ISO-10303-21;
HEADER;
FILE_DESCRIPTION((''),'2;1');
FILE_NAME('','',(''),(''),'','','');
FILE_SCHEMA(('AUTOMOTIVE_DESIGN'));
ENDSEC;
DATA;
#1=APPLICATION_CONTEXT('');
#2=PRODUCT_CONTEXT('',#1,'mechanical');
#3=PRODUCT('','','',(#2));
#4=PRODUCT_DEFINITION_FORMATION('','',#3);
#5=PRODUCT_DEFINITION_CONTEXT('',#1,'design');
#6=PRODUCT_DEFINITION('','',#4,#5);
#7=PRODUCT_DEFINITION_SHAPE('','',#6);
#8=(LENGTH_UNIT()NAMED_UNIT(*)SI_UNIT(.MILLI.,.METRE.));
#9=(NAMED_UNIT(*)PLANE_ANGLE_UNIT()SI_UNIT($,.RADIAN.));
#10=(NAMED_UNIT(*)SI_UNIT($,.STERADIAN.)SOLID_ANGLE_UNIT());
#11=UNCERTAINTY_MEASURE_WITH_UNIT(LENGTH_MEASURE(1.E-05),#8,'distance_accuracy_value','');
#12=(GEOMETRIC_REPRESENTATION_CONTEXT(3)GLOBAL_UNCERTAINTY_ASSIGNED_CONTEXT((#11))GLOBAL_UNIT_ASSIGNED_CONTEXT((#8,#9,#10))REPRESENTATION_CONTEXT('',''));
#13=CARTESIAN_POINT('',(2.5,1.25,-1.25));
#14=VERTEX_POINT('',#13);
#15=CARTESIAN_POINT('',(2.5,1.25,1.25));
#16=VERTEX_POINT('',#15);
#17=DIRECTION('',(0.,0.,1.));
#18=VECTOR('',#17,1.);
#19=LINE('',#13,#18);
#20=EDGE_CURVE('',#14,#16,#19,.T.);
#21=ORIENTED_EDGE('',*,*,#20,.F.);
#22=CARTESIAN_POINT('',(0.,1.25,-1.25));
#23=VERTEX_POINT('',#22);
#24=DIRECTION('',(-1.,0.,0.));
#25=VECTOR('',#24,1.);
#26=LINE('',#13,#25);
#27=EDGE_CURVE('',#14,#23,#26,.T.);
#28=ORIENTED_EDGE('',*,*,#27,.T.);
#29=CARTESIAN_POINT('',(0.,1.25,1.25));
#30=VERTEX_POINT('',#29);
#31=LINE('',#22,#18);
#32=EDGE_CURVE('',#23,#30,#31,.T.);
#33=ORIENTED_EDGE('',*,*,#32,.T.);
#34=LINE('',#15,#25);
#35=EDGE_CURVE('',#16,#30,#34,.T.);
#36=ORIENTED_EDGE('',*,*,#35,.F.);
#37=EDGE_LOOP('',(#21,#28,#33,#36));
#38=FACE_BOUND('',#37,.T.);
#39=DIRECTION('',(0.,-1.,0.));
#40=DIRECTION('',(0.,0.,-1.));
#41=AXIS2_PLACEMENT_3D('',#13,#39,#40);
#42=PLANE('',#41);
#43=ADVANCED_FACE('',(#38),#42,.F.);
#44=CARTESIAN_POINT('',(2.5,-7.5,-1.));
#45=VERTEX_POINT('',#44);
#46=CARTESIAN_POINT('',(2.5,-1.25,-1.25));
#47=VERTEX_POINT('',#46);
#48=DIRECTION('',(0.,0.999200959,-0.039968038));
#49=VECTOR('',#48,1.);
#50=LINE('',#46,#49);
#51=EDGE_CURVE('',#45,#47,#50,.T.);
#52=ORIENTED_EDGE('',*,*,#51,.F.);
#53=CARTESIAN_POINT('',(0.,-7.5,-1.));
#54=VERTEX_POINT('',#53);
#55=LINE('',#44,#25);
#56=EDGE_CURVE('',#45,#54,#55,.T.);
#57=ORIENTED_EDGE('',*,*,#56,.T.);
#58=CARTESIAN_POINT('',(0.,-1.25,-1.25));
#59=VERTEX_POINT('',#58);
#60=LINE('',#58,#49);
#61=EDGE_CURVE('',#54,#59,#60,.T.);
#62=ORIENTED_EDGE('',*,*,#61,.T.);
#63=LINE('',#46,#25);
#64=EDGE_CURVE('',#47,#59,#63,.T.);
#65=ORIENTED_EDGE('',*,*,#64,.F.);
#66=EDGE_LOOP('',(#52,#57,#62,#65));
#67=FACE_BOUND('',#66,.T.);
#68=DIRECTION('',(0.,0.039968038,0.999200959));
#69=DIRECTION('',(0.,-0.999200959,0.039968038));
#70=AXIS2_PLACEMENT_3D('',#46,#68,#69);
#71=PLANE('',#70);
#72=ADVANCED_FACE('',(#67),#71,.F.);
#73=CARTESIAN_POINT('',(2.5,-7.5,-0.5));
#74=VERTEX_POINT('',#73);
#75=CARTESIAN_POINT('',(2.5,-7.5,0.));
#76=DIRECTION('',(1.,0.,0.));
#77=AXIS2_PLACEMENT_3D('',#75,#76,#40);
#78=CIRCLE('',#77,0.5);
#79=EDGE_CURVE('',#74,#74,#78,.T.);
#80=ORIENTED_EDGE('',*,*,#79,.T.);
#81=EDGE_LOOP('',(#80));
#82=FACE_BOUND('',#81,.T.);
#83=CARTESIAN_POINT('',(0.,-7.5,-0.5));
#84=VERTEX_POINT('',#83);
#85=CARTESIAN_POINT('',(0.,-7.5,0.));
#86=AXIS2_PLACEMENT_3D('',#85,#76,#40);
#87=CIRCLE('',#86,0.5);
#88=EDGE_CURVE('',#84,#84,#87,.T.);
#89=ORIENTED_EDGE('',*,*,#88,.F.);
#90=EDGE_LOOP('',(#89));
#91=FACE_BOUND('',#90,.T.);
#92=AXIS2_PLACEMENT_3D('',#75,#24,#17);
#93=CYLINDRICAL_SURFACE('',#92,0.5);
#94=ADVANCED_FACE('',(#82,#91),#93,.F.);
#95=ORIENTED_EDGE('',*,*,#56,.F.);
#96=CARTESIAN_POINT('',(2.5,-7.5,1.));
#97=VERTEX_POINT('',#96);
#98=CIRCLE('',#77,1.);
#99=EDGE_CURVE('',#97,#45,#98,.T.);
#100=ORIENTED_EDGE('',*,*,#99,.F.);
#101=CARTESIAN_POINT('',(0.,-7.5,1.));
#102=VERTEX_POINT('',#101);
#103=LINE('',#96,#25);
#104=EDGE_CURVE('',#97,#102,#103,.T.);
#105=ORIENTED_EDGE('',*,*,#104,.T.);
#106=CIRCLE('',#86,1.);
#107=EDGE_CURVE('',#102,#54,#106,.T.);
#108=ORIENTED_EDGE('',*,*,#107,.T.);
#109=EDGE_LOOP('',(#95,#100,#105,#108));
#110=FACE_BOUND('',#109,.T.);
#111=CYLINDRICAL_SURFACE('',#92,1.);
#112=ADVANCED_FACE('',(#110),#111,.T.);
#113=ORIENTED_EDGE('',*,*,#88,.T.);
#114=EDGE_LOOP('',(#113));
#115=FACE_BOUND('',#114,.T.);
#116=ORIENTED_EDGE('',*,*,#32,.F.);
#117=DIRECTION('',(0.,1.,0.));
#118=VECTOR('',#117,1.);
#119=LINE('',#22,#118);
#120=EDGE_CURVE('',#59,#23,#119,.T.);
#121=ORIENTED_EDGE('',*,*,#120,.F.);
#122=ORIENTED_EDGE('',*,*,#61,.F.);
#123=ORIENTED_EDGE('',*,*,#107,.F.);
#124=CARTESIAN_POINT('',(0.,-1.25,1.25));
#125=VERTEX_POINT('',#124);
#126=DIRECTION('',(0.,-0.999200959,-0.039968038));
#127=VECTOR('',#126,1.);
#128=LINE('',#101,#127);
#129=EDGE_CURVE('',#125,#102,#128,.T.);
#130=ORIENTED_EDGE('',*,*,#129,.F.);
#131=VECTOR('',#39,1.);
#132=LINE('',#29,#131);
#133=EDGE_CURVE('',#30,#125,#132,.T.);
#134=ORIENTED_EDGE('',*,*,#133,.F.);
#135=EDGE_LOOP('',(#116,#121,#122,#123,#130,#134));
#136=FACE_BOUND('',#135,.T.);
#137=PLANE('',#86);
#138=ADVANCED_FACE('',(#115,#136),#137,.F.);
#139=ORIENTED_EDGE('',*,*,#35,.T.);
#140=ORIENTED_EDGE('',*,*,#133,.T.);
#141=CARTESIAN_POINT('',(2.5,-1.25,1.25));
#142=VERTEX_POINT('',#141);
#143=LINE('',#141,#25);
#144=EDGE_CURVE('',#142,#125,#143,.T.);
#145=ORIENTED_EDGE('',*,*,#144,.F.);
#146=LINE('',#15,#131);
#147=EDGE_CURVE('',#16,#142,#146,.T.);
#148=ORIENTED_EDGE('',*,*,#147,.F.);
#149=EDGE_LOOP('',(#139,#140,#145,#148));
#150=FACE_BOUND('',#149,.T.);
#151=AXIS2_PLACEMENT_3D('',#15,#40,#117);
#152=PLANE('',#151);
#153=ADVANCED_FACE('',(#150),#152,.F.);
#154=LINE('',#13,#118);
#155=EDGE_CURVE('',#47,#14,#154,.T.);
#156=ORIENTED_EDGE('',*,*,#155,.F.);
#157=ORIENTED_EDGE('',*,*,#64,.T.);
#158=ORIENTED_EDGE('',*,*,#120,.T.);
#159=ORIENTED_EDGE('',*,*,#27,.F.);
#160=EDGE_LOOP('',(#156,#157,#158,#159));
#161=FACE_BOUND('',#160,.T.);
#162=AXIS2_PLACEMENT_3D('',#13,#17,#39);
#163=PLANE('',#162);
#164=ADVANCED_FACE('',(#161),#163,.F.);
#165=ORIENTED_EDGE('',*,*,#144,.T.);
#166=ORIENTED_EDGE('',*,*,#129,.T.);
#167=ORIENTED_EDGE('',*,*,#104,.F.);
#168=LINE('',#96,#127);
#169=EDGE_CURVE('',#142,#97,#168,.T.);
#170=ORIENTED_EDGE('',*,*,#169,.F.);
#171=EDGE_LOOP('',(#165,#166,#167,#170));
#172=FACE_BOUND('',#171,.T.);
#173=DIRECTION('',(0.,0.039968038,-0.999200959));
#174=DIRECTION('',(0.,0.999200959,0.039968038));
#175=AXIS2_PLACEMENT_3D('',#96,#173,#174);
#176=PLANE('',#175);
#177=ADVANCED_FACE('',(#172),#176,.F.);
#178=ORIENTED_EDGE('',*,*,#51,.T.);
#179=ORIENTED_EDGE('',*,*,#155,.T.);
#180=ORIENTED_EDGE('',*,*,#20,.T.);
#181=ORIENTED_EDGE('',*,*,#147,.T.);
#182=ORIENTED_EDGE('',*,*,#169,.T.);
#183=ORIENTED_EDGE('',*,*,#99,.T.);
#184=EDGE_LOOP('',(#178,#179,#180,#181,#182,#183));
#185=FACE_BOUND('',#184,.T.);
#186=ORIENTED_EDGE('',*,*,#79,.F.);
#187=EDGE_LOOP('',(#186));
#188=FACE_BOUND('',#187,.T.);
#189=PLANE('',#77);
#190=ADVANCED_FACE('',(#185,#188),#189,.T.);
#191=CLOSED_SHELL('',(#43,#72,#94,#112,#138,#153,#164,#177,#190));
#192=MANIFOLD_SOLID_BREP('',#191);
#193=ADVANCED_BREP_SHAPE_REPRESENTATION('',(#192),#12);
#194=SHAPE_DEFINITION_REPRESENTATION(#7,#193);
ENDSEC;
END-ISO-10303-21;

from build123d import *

# Parameters (mm, degrees)
CROQUIS1_R              = 0.5
SALIENTE_EXTRUIR1_DEPTH = 2.5


with BuildPart() as part:
    # Croquis1 → Saliente-Extruir1 (new body)
    with BuildSketch(Plane(origin=(0, 0, 0), x_dir=(0, 0, -1), z_dir=(1, 0, 0))):
        with BuildLine():
            Line((1.25, 1.25), (-1.25, 1.25))
            Line((-1.25, 1.25), (-1.25, -1.25))
            Line((-1.25, -1.25), (-1, -7.5))
            ThreePointArc((-1, -7.5), (0, -8.5), (1, -7.5))
            Line((1, -7.5), (1.25, -1.25))
            Line((1.25, -1.25), (1.25, 1.25))
        make_face()
        with Locations((0, -7.5)):
            Circle(CROQUIS1_R, mode=Mode.SUBTRACT)
    extrude(amount=SALIENTE_EXTRUIR1_DEPTH)


solid = part.part
